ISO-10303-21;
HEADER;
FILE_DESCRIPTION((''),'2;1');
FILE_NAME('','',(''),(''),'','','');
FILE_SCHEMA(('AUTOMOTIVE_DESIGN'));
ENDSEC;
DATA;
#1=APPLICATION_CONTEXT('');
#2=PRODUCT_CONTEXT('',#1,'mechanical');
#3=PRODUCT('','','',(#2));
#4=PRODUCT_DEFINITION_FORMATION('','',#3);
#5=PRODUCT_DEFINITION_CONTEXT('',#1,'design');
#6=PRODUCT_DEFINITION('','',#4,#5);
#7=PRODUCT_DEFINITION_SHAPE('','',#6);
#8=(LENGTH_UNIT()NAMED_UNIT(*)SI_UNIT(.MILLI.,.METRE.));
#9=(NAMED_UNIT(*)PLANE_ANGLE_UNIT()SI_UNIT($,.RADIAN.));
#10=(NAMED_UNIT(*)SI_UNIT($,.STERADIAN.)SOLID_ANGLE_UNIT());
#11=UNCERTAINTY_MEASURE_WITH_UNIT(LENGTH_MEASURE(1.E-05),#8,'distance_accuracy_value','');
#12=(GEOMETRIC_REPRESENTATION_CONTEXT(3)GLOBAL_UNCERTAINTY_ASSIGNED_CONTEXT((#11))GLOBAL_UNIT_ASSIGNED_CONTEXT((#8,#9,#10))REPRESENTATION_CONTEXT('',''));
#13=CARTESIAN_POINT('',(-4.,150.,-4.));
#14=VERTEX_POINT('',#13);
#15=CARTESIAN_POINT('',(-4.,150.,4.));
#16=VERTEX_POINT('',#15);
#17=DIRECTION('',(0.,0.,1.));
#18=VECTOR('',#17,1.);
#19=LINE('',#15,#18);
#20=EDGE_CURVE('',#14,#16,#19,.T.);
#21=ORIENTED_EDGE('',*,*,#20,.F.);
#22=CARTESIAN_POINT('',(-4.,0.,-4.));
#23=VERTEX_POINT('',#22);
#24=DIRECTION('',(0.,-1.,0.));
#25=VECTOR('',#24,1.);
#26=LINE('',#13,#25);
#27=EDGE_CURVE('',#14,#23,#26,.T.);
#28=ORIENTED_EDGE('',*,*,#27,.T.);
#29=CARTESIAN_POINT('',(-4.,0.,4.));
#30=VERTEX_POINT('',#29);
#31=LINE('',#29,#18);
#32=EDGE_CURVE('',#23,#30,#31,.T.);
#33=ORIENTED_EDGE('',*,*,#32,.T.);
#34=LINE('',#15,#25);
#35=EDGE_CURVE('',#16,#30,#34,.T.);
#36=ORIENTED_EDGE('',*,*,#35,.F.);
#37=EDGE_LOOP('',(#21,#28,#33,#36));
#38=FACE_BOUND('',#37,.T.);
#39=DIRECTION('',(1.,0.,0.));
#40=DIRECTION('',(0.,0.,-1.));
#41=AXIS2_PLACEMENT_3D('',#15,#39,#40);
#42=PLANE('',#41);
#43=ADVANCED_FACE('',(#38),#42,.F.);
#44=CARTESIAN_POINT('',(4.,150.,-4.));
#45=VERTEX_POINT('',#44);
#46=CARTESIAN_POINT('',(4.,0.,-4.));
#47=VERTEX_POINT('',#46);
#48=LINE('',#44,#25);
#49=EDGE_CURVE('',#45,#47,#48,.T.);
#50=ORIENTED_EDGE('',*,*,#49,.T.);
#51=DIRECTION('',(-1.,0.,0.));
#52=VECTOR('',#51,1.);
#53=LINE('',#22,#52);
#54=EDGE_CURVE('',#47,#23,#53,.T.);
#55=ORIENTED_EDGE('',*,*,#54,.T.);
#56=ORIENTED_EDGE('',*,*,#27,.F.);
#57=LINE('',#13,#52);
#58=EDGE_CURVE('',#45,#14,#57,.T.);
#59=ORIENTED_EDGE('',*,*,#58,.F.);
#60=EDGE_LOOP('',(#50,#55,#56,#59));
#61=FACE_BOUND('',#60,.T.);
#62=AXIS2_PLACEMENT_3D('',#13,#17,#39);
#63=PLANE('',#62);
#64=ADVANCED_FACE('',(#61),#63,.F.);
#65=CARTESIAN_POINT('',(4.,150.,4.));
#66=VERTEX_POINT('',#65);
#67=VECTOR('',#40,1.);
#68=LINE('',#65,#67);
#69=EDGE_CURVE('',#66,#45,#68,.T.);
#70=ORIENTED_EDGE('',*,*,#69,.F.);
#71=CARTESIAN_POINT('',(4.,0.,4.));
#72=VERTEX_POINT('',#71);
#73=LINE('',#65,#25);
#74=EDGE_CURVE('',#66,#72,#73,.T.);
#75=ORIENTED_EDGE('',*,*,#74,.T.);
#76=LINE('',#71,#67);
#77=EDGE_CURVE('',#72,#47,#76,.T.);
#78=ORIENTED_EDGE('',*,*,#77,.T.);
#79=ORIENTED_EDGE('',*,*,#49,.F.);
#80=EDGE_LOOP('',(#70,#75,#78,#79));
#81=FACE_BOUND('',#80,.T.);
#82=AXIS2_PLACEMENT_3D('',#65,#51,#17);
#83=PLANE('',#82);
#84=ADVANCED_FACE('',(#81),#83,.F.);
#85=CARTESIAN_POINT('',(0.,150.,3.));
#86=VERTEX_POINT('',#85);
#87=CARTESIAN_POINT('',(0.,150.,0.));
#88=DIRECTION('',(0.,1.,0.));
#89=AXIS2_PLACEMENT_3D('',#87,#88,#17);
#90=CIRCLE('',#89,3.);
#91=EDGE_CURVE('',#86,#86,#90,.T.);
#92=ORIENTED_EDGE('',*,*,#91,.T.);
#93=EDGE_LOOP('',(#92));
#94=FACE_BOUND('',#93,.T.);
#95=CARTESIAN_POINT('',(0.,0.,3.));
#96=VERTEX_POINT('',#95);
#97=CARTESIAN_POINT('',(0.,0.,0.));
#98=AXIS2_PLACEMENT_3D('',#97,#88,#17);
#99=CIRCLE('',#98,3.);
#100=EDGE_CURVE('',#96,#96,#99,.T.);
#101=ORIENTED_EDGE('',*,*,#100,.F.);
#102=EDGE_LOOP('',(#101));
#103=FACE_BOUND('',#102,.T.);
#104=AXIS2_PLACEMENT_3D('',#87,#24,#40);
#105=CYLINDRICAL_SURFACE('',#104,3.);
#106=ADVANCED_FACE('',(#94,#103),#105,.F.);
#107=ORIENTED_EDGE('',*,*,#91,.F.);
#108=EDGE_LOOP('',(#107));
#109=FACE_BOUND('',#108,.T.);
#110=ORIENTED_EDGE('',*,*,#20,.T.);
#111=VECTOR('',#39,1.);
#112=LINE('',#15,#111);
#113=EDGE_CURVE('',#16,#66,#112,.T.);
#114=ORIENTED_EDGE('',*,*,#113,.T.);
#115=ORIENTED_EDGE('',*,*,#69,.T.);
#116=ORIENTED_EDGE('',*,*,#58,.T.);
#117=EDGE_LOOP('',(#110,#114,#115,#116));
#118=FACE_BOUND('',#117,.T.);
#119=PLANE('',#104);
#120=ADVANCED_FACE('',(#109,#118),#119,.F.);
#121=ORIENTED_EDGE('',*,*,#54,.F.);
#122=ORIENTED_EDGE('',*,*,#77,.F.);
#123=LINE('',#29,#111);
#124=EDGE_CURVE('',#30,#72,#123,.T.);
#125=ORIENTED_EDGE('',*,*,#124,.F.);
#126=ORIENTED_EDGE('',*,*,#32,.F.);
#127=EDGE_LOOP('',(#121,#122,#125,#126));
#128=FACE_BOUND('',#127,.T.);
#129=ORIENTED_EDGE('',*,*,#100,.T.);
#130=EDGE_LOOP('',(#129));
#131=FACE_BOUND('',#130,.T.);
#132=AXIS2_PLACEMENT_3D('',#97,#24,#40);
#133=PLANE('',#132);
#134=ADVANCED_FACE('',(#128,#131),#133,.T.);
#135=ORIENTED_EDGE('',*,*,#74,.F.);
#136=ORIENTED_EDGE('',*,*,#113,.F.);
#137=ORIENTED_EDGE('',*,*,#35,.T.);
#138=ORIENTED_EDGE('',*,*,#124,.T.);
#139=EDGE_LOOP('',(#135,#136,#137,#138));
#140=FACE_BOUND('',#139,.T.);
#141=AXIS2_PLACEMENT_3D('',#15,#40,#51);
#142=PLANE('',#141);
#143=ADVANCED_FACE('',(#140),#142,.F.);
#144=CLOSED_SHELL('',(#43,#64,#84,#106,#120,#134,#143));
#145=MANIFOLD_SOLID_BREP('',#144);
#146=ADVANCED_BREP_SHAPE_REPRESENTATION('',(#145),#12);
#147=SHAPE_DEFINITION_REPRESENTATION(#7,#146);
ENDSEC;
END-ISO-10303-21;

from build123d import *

# Parameters (mm, degrees)
SKETCH_1_W      = 8
SKETCH_1_H      = 8
SKETCH_1_R      = 3
EXTRUDE_1_DEPTH = 150


with BuildPart() as part:
    # 草图1 → 凸台-拉伸1 (new body)
    with BuildSketch(Plane(origin=(0, 0, 0), x_dir=(1, 0, 0), z_dir=(0, 1, 0))):
        Rectangle(SKETCH_1_W, SKETCH_1_H)
        with Locations(Location((0, 0, 0), (0, 0, 270))):
            Circle(SKETCH_1_R, mode=Mode.SUBTRACT)
    extrude(amount=EXTRUDE_1_DEPTH)


solid = part.part
